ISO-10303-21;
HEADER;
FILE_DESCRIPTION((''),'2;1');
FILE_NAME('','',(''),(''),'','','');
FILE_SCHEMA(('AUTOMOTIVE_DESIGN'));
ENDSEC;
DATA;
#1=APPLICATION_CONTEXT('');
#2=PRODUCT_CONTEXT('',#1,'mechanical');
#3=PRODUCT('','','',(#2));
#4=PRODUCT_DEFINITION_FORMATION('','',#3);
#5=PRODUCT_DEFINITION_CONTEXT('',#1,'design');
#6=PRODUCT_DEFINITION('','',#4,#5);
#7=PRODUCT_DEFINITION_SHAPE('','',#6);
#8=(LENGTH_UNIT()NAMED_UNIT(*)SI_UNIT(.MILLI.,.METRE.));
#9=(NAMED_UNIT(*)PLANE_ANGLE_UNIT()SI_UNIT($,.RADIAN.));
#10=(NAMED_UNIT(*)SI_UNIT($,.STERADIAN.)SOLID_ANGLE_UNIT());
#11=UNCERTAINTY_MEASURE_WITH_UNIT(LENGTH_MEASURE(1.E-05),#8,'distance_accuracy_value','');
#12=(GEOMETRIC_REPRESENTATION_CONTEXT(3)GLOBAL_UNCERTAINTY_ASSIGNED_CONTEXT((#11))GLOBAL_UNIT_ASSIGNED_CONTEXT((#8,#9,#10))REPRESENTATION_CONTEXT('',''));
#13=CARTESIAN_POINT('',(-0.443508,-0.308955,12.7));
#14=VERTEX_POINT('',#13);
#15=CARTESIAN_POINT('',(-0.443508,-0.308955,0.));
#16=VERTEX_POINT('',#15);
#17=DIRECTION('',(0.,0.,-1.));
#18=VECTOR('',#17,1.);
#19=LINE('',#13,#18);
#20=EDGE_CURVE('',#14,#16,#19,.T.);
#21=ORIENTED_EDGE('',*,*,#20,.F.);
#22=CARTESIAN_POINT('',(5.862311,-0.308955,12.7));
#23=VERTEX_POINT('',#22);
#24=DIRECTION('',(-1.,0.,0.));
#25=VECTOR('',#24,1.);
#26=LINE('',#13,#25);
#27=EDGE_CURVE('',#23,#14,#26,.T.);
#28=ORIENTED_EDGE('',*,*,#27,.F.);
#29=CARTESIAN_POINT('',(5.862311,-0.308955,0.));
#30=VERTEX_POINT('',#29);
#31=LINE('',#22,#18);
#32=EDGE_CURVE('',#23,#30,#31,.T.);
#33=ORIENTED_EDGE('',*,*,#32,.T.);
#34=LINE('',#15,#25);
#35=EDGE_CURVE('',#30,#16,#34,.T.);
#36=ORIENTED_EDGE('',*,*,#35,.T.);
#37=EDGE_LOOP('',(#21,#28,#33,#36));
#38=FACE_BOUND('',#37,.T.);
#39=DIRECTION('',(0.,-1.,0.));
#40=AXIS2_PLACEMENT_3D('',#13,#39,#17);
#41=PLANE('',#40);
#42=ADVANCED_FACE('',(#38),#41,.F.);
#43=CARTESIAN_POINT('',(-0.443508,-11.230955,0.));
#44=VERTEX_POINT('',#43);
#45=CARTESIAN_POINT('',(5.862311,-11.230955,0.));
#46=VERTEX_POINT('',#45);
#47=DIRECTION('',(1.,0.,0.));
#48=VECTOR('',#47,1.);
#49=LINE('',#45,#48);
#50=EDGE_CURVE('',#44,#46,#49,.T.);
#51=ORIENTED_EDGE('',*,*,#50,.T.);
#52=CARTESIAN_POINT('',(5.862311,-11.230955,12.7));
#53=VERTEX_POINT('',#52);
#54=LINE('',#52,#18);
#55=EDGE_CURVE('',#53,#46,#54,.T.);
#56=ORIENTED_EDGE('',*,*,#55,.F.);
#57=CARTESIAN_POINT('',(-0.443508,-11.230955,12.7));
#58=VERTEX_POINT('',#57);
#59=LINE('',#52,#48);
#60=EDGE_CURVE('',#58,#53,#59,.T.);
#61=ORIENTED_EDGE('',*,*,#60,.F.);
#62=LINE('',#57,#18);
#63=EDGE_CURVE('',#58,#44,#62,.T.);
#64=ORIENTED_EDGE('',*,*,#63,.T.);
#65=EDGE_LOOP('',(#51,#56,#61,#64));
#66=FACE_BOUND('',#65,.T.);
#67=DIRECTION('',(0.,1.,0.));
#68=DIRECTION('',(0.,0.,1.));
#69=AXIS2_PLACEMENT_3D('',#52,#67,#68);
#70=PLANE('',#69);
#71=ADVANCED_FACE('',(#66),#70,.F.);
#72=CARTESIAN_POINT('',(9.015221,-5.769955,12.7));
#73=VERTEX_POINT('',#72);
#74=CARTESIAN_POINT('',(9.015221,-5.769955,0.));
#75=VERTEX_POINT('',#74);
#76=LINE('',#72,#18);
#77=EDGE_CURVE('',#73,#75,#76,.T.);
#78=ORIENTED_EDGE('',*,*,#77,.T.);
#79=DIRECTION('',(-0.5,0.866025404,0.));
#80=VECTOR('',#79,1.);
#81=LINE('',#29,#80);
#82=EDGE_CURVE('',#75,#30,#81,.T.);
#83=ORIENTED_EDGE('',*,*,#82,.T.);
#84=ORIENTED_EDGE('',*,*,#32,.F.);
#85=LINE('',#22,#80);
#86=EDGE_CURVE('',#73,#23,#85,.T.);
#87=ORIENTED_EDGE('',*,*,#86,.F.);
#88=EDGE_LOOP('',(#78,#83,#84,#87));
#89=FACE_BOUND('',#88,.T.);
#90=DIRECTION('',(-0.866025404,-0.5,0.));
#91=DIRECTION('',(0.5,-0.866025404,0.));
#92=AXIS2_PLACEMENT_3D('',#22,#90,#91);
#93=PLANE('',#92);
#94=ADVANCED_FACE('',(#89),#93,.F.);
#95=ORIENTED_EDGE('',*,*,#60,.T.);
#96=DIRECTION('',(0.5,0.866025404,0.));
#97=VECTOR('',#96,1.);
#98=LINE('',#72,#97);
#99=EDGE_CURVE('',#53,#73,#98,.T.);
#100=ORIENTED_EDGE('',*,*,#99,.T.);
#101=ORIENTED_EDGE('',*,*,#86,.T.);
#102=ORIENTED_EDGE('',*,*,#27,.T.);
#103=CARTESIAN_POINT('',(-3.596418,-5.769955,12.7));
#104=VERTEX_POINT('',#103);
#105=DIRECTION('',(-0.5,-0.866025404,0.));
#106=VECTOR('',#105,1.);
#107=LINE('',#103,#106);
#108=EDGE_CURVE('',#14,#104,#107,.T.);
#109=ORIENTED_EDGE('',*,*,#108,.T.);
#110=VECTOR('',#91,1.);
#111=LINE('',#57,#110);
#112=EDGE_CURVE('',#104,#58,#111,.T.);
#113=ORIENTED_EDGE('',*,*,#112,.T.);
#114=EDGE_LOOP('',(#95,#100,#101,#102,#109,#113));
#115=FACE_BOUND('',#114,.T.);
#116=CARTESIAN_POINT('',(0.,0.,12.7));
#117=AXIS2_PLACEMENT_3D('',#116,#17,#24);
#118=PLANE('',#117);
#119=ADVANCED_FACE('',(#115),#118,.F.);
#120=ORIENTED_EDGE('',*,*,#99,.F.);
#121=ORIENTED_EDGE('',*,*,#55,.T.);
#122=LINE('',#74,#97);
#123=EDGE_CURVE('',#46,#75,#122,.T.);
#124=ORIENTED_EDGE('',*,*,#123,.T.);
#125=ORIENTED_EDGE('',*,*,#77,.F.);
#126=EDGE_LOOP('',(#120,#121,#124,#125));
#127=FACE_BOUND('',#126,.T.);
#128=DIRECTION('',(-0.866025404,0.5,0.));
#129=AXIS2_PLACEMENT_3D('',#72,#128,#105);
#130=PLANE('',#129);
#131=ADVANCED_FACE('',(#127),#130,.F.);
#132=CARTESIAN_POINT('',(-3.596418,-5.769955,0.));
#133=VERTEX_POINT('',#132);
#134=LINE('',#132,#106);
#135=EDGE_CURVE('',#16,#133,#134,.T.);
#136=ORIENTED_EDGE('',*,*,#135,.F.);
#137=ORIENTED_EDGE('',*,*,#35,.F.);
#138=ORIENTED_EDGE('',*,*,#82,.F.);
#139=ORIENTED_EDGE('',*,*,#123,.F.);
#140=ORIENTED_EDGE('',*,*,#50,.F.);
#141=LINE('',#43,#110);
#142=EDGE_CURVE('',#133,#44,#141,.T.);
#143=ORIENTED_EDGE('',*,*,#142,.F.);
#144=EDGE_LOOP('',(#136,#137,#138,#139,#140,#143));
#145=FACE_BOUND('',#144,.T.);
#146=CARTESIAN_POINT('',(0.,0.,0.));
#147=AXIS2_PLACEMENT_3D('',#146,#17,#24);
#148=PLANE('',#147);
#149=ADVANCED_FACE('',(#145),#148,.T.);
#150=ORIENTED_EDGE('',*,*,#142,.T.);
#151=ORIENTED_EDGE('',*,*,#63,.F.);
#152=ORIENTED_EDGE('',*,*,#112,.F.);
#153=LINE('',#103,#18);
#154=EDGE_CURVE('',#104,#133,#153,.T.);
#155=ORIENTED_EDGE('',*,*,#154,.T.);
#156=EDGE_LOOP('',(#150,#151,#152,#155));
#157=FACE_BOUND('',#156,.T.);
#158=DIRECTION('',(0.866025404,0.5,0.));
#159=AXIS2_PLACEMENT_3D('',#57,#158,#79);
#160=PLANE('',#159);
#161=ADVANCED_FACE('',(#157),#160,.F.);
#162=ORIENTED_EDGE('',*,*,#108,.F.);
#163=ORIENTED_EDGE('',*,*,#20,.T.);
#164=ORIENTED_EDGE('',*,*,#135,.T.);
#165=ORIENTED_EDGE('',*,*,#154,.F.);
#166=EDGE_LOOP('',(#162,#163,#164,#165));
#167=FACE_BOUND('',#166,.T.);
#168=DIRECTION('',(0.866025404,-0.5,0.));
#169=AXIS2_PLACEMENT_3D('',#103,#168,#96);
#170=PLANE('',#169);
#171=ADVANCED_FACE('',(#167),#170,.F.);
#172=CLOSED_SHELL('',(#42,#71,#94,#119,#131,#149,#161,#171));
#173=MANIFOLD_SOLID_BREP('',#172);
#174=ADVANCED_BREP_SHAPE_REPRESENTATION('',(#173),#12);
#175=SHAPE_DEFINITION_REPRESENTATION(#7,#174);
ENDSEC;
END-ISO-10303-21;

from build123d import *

# Parameters (mm, degrees)
BOSS_EXTRUDE1_DEPTH = 12.7


with BuildPart() as part:
    # Sketch1 → Boss-Extrude1 (new body)
    with BuildSketch(Plane.XY):
        Polygon((-0.443508154, -0.30895487), (5.862311486, -0.30895487), (9.015221306, -5.76995487), (5.862311486, -11.23095487), (-0.443508154, -11.23095487), (-3.596417974, -5.76995487), align=None)
    extrude(amount=BOSS_EXTRUDE1_DEPTH)


solid = part.part
